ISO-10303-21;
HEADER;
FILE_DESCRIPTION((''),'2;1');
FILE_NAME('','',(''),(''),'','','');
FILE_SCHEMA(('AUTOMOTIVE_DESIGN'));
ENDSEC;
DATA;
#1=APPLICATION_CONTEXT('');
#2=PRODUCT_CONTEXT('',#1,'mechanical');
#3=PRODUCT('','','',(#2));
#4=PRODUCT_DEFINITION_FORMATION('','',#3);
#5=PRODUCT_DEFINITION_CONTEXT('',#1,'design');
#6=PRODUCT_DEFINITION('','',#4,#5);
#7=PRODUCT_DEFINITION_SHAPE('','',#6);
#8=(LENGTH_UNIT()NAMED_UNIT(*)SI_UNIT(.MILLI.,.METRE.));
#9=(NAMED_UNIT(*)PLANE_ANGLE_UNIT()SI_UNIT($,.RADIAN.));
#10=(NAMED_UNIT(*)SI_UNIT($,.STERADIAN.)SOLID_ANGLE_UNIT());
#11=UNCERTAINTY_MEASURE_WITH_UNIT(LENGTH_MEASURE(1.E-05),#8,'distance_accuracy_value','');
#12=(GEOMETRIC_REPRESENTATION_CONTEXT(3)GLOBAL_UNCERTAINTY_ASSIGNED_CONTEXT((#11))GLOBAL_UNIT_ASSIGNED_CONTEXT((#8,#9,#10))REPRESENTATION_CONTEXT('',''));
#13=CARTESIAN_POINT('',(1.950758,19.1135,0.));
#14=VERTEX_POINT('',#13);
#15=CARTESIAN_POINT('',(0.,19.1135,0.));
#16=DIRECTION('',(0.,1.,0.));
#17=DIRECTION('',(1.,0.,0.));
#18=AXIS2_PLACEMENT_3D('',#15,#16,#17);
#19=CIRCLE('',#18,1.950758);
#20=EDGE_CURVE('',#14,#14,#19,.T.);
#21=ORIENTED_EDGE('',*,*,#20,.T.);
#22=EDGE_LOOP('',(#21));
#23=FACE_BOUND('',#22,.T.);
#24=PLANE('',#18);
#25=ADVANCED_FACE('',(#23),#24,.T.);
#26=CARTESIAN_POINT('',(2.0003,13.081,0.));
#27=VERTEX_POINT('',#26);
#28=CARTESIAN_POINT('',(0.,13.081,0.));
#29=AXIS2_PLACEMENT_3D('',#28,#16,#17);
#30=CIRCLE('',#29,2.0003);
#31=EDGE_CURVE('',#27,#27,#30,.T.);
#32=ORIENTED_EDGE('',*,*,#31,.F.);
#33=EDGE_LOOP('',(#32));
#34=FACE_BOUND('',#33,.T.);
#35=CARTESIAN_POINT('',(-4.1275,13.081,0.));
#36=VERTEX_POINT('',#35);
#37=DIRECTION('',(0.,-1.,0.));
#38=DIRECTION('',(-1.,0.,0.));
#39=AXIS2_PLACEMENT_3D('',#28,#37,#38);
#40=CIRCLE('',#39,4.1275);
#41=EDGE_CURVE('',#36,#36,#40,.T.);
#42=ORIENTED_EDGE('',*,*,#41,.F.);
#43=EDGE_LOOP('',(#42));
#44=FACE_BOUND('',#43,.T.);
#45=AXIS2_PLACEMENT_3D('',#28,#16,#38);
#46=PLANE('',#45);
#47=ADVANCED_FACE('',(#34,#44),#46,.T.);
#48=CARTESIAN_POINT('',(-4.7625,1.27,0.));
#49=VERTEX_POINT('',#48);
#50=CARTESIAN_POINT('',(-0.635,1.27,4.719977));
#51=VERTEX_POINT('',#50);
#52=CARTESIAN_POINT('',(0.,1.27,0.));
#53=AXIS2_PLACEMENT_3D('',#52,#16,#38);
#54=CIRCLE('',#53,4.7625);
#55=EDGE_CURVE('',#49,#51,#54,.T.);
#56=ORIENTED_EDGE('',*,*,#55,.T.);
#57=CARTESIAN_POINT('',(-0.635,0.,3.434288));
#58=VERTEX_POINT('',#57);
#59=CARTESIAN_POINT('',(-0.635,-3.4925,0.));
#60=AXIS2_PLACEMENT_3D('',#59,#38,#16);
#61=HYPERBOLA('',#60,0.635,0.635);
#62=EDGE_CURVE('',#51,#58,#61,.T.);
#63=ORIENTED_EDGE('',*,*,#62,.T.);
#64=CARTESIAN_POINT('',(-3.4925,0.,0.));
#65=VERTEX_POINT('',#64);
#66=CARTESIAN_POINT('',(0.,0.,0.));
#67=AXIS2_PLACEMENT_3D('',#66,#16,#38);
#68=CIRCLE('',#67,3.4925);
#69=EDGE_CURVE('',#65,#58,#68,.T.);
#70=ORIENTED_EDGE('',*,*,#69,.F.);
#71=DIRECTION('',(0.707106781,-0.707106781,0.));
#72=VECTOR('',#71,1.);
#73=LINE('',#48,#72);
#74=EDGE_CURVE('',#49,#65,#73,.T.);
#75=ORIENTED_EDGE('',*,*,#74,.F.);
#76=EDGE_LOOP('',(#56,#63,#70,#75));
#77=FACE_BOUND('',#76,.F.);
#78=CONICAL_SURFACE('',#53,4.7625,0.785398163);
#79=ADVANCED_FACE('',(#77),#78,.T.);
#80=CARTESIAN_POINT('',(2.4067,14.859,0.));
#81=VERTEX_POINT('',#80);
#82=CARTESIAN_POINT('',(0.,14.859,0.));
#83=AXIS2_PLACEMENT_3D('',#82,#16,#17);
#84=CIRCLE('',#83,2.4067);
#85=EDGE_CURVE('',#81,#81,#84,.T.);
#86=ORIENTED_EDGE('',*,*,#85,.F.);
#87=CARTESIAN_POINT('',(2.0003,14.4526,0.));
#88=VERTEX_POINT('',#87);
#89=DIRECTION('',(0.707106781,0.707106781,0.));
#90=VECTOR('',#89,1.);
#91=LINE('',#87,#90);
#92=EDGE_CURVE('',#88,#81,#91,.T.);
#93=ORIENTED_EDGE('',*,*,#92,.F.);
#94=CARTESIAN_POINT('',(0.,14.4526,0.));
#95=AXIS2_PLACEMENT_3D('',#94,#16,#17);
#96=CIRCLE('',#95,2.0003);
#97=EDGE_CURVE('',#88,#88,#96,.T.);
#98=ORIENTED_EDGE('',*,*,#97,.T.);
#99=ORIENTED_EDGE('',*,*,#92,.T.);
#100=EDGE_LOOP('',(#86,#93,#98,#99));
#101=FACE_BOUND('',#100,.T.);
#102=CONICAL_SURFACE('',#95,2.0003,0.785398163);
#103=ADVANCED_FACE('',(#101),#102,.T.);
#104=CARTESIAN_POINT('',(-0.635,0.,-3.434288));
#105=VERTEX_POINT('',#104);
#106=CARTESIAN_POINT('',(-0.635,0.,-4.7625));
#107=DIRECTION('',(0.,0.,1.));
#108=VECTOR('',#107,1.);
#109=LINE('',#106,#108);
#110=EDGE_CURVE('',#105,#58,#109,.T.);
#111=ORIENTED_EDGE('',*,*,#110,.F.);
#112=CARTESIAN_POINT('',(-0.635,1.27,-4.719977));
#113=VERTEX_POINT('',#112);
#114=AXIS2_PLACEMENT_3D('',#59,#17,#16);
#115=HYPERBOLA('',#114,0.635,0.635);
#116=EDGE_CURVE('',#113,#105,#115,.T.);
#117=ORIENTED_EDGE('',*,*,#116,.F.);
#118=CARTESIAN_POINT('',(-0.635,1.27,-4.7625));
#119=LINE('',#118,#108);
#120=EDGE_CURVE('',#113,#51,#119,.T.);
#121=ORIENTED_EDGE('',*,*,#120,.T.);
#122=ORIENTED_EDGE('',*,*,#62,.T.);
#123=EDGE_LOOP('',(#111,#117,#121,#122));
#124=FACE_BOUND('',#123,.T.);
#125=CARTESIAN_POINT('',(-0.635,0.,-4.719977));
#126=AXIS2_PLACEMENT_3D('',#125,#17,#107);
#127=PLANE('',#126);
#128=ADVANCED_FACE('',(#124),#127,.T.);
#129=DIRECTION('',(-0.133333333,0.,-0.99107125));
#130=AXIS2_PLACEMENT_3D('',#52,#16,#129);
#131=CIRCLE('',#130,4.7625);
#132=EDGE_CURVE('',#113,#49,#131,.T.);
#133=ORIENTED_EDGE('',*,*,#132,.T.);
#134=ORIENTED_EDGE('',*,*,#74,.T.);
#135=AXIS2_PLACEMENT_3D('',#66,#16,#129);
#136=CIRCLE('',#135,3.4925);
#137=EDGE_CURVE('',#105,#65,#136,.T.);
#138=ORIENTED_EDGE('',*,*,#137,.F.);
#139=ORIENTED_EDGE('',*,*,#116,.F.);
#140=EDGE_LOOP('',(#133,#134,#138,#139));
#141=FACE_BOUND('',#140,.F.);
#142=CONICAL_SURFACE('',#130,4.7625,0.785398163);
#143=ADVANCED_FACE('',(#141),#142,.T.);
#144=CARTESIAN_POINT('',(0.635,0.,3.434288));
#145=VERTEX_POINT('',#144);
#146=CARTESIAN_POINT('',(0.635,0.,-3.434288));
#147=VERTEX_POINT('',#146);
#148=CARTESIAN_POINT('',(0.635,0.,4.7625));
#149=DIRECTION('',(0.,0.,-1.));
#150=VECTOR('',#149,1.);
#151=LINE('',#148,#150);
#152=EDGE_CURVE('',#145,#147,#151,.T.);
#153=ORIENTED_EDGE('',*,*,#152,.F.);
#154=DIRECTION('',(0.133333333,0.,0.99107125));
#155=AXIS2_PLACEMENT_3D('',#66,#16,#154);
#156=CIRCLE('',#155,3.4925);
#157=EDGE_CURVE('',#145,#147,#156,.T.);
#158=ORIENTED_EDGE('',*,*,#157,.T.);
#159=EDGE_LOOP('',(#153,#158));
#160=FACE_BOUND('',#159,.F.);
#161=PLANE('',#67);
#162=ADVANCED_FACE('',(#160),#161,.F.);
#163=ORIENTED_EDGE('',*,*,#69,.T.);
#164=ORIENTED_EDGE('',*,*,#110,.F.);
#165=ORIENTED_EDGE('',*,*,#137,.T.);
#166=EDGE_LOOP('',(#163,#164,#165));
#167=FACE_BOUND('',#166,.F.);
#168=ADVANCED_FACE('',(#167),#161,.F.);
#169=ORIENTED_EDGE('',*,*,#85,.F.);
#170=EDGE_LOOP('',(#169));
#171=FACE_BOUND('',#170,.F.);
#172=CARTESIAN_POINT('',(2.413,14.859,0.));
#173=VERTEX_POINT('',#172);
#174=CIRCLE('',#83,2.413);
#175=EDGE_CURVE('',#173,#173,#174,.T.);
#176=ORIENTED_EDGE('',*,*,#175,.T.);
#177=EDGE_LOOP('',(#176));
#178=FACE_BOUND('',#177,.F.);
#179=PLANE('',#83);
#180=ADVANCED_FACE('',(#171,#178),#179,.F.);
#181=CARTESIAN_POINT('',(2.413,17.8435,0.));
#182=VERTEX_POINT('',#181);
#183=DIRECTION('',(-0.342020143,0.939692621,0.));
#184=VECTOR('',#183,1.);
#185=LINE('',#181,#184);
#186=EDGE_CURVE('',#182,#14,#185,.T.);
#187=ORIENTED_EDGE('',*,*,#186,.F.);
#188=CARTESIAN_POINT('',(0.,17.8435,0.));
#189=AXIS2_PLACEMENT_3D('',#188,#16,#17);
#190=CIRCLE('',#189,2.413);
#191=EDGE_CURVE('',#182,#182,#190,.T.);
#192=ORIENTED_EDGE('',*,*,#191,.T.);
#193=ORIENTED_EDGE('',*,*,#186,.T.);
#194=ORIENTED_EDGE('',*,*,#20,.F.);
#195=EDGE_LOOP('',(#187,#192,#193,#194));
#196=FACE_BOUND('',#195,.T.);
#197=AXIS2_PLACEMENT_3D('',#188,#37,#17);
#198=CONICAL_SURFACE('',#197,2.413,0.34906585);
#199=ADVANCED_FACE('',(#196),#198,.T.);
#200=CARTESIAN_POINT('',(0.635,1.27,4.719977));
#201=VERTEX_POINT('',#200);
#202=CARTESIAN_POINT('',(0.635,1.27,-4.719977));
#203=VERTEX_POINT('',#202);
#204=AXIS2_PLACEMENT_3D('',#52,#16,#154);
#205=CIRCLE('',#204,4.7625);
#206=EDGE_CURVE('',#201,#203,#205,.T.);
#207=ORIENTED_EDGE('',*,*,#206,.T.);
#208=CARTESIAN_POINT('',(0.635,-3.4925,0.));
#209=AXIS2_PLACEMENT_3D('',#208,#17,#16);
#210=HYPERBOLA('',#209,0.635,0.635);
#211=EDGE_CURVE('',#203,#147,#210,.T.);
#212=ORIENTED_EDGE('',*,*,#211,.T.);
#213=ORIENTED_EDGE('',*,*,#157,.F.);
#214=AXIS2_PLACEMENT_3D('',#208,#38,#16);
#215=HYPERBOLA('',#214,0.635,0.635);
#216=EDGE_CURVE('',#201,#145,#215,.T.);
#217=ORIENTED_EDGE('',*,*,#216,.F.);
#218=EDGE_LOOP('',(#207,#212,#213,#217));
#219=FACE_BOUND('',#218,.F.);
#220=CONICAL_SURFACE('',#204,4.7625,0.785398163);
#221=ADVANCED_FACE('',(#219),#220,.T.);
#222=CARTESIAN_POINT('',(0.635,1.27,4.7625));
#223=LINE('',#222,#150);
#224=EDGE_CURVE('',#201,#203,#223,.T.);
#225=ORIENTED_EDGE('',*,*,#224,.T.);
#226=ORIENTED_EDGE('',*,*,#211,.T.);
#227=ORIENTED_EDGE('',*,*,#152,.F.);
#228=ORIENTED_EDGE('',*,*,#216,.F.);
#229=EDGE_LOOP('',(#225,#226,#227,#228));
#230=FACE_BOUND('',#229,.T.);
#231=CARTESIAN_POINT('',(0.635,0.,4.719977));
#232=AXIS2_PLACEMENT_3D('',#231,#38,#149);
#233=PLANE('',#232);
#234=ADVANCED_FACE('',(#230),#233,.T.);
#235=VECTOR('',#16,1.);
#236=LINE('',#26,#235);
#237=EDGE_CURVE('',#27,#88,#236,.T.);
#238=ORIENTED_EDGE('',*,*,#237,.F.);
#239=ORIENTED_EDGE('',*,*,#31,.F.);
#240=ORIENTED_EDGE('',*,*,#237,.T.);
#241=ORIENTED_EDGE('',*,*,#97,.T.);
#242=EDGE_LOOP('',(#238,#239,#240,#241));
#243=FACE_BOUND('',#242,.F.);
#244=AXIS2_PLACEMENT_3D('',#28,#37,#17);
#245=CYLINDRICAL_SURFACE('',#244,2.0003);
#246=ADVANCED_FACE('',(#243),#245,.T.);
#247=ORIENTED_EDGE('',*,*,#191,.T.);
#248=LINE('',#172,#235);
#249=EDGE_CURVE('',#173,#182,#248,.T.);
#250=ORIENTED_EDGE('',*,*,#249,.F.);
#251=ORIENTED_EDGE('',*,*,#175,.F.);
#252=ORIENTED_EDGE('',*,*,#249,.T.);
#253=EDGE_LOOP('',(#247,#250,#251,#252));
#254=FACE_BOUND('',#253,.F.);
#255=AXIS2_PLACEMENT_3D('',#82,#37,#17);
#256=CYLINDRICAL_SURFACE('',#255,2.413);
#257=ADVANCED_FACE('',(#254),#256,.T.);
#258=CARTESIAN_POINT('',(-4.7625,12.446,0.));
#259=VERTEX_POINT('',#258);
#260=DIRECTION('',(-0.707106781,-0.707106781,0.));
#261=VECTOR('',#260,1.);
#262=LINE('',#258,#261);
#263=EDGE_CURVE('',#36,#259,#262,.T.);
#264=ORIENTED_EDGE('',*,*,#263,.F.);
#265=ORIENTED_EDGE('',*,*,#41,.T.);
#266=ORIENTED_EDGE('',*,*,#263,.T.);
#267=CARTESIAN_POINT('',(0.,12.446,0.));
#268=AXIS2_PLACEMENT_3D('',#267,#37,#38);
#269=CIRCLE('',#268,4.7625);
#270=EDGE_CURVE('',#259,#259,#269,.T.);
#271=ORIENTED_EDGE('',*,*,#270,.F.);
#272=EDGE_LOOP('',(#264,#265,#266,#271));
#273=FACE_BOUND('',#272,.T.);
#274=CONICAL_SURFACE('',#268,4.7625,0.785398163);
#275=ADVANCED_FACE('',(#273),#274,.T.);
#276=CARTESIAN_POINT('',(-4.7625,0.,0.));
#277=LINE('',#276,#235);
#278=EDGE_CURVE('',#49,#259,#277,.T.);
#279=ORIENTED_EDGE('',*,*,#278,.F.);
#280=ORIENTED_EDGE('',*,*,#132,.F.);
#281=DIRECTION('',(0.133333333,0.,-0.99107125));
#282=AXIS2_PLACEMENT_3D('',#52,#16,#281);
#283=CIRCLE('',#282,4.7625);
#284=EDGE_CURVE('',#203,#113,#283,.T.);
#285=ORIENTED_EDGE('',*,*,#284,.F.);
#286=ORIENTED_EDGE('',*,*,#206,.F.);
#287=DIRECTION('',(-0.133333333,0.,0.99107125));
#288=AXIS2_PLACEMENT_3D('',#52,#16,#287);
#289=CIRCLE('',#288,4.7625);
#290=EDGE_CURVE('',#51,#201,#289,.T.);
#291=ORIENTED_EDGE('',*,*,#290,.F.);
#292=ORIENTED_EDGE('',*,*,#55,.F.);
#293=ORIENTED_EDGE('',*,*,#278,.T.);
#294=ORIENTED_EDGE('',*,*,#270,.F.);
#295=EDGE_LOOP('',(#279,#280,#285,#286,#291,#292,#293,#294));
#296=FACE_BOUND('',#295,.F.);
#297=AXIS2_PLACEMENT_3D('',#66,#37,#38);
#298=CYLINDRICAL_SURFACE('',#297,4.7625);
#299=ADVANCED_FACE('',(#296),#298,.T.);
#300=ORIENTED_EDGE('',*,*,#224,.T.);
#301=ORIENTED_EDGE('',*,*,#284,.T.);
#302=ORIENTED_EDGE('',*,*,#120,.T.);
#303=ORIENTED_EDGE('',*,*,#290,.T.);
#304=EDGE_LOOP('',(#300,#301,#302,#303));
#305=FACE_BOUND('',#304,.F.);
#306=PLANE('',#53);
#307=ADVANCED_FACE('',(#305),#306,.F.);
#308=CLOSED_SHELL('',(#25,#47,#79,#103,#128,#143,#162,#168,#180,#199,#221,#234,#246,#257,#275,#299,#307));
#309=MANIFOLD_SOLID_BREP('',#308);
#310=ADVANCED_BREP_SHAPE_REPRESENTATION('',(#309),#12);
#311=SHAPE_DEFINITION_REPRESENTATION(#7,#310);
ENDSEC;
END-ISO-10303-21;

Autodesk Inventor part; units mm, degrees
ref_plane "YZ Plane" through (0, 0, 0) normal (1, 0, 0) x (0, 1, 0)
ref_plane "XZ Plane" through (0, 0, 0) normal (0, 1, 0) x (-1, 0, 0)
ref_plane "XY Plane" through (0, 0, 0) normal (0, 0, 1) x (1, 0, 0)
sketch "Sketch1" plane through (0, 0, 0) normal (0, 1, 0) x (-1, 0, 0)
  circle A0 centre (0, 0) radius 4.7625
  line L0 (0.635, 4.7625) -> (-0.635, 4.7625)
  line L1 (-0.635, 4.7625) -> (-0.635, -4.7625)
  line L2 (-0.635, -4.7625) -> (0.635, -4.7625)
  line L3 (0.635, -4.7625) -> (0.635, 4.7625)
  line L4 (0.635, 4.7625) -> (-0.635, -4.7625) construction
  line L5 (-0.635, 4.7625) -> (0.635, -4.7625) construction
  point P0 (0.635, -4.72)
  point P1 (0.635, 4.72)
  point P2 (-0.635, 4.72)
  point P3 (-0.635, -4.72)
  dimension "d0" = 9.525
  dimension "d9" = 1.27
extrude "Extrusion1" add sketch "Sketch1" along normal blind 13.081 contours A0 L3 | L3 A0 L1 | L1 A0
sketch "Sketch2" plane through (0, 13.081, 0) normal (0, 1, 0) x (1, 0, 0)
  circle A0 centre (0, 0) radius 2.0003
  dimension "d3" = 4.0005
extrude "Extrusion2" add sketch "Sketch2" along normal blind 1.778
sketch "Sketch3" plane through (0, 14.859, 0) normal (0, 1, 0) x (1, 0, 0)
  circle A0 centre (0, 0) radius 2.413
  dimension "d19" = 4.826
extrude "Extrusion4" add sketch "Sketch3" along normal blind 4.2545
extrude "Extrusion3" cut sketch "Sketch1" along normal blind 1.27 contours L3 A0 L1
chamfer "Chamfer2" distance 0.635 angle 45 1 edges at (4.7625, 13.081, 0)
chamfer "Chamfer1" distance 1.27 angle 45 3 edges at (-3.5851, 0, -3.1351) (-3.5851, 0, 3.1351) (4.7625, 0, 0)
chamfer "Chamfer3" distance 0.4064 angle 45 1 edges at (-2.0003, 14.859, 0)
chamfer "Chamfer4" distance 1.27 angle 20 1 edges at (-2.413, 19.1135, 0) measured on face at (2.4052, 17.6953, 0.1942)
thread "Thread3" size "10-48 UNS" class "2A" standard "ANSI Unified Screw Threads" length 6.0325
properties part number "0.375 Shaft" material "Stainless Steel"
